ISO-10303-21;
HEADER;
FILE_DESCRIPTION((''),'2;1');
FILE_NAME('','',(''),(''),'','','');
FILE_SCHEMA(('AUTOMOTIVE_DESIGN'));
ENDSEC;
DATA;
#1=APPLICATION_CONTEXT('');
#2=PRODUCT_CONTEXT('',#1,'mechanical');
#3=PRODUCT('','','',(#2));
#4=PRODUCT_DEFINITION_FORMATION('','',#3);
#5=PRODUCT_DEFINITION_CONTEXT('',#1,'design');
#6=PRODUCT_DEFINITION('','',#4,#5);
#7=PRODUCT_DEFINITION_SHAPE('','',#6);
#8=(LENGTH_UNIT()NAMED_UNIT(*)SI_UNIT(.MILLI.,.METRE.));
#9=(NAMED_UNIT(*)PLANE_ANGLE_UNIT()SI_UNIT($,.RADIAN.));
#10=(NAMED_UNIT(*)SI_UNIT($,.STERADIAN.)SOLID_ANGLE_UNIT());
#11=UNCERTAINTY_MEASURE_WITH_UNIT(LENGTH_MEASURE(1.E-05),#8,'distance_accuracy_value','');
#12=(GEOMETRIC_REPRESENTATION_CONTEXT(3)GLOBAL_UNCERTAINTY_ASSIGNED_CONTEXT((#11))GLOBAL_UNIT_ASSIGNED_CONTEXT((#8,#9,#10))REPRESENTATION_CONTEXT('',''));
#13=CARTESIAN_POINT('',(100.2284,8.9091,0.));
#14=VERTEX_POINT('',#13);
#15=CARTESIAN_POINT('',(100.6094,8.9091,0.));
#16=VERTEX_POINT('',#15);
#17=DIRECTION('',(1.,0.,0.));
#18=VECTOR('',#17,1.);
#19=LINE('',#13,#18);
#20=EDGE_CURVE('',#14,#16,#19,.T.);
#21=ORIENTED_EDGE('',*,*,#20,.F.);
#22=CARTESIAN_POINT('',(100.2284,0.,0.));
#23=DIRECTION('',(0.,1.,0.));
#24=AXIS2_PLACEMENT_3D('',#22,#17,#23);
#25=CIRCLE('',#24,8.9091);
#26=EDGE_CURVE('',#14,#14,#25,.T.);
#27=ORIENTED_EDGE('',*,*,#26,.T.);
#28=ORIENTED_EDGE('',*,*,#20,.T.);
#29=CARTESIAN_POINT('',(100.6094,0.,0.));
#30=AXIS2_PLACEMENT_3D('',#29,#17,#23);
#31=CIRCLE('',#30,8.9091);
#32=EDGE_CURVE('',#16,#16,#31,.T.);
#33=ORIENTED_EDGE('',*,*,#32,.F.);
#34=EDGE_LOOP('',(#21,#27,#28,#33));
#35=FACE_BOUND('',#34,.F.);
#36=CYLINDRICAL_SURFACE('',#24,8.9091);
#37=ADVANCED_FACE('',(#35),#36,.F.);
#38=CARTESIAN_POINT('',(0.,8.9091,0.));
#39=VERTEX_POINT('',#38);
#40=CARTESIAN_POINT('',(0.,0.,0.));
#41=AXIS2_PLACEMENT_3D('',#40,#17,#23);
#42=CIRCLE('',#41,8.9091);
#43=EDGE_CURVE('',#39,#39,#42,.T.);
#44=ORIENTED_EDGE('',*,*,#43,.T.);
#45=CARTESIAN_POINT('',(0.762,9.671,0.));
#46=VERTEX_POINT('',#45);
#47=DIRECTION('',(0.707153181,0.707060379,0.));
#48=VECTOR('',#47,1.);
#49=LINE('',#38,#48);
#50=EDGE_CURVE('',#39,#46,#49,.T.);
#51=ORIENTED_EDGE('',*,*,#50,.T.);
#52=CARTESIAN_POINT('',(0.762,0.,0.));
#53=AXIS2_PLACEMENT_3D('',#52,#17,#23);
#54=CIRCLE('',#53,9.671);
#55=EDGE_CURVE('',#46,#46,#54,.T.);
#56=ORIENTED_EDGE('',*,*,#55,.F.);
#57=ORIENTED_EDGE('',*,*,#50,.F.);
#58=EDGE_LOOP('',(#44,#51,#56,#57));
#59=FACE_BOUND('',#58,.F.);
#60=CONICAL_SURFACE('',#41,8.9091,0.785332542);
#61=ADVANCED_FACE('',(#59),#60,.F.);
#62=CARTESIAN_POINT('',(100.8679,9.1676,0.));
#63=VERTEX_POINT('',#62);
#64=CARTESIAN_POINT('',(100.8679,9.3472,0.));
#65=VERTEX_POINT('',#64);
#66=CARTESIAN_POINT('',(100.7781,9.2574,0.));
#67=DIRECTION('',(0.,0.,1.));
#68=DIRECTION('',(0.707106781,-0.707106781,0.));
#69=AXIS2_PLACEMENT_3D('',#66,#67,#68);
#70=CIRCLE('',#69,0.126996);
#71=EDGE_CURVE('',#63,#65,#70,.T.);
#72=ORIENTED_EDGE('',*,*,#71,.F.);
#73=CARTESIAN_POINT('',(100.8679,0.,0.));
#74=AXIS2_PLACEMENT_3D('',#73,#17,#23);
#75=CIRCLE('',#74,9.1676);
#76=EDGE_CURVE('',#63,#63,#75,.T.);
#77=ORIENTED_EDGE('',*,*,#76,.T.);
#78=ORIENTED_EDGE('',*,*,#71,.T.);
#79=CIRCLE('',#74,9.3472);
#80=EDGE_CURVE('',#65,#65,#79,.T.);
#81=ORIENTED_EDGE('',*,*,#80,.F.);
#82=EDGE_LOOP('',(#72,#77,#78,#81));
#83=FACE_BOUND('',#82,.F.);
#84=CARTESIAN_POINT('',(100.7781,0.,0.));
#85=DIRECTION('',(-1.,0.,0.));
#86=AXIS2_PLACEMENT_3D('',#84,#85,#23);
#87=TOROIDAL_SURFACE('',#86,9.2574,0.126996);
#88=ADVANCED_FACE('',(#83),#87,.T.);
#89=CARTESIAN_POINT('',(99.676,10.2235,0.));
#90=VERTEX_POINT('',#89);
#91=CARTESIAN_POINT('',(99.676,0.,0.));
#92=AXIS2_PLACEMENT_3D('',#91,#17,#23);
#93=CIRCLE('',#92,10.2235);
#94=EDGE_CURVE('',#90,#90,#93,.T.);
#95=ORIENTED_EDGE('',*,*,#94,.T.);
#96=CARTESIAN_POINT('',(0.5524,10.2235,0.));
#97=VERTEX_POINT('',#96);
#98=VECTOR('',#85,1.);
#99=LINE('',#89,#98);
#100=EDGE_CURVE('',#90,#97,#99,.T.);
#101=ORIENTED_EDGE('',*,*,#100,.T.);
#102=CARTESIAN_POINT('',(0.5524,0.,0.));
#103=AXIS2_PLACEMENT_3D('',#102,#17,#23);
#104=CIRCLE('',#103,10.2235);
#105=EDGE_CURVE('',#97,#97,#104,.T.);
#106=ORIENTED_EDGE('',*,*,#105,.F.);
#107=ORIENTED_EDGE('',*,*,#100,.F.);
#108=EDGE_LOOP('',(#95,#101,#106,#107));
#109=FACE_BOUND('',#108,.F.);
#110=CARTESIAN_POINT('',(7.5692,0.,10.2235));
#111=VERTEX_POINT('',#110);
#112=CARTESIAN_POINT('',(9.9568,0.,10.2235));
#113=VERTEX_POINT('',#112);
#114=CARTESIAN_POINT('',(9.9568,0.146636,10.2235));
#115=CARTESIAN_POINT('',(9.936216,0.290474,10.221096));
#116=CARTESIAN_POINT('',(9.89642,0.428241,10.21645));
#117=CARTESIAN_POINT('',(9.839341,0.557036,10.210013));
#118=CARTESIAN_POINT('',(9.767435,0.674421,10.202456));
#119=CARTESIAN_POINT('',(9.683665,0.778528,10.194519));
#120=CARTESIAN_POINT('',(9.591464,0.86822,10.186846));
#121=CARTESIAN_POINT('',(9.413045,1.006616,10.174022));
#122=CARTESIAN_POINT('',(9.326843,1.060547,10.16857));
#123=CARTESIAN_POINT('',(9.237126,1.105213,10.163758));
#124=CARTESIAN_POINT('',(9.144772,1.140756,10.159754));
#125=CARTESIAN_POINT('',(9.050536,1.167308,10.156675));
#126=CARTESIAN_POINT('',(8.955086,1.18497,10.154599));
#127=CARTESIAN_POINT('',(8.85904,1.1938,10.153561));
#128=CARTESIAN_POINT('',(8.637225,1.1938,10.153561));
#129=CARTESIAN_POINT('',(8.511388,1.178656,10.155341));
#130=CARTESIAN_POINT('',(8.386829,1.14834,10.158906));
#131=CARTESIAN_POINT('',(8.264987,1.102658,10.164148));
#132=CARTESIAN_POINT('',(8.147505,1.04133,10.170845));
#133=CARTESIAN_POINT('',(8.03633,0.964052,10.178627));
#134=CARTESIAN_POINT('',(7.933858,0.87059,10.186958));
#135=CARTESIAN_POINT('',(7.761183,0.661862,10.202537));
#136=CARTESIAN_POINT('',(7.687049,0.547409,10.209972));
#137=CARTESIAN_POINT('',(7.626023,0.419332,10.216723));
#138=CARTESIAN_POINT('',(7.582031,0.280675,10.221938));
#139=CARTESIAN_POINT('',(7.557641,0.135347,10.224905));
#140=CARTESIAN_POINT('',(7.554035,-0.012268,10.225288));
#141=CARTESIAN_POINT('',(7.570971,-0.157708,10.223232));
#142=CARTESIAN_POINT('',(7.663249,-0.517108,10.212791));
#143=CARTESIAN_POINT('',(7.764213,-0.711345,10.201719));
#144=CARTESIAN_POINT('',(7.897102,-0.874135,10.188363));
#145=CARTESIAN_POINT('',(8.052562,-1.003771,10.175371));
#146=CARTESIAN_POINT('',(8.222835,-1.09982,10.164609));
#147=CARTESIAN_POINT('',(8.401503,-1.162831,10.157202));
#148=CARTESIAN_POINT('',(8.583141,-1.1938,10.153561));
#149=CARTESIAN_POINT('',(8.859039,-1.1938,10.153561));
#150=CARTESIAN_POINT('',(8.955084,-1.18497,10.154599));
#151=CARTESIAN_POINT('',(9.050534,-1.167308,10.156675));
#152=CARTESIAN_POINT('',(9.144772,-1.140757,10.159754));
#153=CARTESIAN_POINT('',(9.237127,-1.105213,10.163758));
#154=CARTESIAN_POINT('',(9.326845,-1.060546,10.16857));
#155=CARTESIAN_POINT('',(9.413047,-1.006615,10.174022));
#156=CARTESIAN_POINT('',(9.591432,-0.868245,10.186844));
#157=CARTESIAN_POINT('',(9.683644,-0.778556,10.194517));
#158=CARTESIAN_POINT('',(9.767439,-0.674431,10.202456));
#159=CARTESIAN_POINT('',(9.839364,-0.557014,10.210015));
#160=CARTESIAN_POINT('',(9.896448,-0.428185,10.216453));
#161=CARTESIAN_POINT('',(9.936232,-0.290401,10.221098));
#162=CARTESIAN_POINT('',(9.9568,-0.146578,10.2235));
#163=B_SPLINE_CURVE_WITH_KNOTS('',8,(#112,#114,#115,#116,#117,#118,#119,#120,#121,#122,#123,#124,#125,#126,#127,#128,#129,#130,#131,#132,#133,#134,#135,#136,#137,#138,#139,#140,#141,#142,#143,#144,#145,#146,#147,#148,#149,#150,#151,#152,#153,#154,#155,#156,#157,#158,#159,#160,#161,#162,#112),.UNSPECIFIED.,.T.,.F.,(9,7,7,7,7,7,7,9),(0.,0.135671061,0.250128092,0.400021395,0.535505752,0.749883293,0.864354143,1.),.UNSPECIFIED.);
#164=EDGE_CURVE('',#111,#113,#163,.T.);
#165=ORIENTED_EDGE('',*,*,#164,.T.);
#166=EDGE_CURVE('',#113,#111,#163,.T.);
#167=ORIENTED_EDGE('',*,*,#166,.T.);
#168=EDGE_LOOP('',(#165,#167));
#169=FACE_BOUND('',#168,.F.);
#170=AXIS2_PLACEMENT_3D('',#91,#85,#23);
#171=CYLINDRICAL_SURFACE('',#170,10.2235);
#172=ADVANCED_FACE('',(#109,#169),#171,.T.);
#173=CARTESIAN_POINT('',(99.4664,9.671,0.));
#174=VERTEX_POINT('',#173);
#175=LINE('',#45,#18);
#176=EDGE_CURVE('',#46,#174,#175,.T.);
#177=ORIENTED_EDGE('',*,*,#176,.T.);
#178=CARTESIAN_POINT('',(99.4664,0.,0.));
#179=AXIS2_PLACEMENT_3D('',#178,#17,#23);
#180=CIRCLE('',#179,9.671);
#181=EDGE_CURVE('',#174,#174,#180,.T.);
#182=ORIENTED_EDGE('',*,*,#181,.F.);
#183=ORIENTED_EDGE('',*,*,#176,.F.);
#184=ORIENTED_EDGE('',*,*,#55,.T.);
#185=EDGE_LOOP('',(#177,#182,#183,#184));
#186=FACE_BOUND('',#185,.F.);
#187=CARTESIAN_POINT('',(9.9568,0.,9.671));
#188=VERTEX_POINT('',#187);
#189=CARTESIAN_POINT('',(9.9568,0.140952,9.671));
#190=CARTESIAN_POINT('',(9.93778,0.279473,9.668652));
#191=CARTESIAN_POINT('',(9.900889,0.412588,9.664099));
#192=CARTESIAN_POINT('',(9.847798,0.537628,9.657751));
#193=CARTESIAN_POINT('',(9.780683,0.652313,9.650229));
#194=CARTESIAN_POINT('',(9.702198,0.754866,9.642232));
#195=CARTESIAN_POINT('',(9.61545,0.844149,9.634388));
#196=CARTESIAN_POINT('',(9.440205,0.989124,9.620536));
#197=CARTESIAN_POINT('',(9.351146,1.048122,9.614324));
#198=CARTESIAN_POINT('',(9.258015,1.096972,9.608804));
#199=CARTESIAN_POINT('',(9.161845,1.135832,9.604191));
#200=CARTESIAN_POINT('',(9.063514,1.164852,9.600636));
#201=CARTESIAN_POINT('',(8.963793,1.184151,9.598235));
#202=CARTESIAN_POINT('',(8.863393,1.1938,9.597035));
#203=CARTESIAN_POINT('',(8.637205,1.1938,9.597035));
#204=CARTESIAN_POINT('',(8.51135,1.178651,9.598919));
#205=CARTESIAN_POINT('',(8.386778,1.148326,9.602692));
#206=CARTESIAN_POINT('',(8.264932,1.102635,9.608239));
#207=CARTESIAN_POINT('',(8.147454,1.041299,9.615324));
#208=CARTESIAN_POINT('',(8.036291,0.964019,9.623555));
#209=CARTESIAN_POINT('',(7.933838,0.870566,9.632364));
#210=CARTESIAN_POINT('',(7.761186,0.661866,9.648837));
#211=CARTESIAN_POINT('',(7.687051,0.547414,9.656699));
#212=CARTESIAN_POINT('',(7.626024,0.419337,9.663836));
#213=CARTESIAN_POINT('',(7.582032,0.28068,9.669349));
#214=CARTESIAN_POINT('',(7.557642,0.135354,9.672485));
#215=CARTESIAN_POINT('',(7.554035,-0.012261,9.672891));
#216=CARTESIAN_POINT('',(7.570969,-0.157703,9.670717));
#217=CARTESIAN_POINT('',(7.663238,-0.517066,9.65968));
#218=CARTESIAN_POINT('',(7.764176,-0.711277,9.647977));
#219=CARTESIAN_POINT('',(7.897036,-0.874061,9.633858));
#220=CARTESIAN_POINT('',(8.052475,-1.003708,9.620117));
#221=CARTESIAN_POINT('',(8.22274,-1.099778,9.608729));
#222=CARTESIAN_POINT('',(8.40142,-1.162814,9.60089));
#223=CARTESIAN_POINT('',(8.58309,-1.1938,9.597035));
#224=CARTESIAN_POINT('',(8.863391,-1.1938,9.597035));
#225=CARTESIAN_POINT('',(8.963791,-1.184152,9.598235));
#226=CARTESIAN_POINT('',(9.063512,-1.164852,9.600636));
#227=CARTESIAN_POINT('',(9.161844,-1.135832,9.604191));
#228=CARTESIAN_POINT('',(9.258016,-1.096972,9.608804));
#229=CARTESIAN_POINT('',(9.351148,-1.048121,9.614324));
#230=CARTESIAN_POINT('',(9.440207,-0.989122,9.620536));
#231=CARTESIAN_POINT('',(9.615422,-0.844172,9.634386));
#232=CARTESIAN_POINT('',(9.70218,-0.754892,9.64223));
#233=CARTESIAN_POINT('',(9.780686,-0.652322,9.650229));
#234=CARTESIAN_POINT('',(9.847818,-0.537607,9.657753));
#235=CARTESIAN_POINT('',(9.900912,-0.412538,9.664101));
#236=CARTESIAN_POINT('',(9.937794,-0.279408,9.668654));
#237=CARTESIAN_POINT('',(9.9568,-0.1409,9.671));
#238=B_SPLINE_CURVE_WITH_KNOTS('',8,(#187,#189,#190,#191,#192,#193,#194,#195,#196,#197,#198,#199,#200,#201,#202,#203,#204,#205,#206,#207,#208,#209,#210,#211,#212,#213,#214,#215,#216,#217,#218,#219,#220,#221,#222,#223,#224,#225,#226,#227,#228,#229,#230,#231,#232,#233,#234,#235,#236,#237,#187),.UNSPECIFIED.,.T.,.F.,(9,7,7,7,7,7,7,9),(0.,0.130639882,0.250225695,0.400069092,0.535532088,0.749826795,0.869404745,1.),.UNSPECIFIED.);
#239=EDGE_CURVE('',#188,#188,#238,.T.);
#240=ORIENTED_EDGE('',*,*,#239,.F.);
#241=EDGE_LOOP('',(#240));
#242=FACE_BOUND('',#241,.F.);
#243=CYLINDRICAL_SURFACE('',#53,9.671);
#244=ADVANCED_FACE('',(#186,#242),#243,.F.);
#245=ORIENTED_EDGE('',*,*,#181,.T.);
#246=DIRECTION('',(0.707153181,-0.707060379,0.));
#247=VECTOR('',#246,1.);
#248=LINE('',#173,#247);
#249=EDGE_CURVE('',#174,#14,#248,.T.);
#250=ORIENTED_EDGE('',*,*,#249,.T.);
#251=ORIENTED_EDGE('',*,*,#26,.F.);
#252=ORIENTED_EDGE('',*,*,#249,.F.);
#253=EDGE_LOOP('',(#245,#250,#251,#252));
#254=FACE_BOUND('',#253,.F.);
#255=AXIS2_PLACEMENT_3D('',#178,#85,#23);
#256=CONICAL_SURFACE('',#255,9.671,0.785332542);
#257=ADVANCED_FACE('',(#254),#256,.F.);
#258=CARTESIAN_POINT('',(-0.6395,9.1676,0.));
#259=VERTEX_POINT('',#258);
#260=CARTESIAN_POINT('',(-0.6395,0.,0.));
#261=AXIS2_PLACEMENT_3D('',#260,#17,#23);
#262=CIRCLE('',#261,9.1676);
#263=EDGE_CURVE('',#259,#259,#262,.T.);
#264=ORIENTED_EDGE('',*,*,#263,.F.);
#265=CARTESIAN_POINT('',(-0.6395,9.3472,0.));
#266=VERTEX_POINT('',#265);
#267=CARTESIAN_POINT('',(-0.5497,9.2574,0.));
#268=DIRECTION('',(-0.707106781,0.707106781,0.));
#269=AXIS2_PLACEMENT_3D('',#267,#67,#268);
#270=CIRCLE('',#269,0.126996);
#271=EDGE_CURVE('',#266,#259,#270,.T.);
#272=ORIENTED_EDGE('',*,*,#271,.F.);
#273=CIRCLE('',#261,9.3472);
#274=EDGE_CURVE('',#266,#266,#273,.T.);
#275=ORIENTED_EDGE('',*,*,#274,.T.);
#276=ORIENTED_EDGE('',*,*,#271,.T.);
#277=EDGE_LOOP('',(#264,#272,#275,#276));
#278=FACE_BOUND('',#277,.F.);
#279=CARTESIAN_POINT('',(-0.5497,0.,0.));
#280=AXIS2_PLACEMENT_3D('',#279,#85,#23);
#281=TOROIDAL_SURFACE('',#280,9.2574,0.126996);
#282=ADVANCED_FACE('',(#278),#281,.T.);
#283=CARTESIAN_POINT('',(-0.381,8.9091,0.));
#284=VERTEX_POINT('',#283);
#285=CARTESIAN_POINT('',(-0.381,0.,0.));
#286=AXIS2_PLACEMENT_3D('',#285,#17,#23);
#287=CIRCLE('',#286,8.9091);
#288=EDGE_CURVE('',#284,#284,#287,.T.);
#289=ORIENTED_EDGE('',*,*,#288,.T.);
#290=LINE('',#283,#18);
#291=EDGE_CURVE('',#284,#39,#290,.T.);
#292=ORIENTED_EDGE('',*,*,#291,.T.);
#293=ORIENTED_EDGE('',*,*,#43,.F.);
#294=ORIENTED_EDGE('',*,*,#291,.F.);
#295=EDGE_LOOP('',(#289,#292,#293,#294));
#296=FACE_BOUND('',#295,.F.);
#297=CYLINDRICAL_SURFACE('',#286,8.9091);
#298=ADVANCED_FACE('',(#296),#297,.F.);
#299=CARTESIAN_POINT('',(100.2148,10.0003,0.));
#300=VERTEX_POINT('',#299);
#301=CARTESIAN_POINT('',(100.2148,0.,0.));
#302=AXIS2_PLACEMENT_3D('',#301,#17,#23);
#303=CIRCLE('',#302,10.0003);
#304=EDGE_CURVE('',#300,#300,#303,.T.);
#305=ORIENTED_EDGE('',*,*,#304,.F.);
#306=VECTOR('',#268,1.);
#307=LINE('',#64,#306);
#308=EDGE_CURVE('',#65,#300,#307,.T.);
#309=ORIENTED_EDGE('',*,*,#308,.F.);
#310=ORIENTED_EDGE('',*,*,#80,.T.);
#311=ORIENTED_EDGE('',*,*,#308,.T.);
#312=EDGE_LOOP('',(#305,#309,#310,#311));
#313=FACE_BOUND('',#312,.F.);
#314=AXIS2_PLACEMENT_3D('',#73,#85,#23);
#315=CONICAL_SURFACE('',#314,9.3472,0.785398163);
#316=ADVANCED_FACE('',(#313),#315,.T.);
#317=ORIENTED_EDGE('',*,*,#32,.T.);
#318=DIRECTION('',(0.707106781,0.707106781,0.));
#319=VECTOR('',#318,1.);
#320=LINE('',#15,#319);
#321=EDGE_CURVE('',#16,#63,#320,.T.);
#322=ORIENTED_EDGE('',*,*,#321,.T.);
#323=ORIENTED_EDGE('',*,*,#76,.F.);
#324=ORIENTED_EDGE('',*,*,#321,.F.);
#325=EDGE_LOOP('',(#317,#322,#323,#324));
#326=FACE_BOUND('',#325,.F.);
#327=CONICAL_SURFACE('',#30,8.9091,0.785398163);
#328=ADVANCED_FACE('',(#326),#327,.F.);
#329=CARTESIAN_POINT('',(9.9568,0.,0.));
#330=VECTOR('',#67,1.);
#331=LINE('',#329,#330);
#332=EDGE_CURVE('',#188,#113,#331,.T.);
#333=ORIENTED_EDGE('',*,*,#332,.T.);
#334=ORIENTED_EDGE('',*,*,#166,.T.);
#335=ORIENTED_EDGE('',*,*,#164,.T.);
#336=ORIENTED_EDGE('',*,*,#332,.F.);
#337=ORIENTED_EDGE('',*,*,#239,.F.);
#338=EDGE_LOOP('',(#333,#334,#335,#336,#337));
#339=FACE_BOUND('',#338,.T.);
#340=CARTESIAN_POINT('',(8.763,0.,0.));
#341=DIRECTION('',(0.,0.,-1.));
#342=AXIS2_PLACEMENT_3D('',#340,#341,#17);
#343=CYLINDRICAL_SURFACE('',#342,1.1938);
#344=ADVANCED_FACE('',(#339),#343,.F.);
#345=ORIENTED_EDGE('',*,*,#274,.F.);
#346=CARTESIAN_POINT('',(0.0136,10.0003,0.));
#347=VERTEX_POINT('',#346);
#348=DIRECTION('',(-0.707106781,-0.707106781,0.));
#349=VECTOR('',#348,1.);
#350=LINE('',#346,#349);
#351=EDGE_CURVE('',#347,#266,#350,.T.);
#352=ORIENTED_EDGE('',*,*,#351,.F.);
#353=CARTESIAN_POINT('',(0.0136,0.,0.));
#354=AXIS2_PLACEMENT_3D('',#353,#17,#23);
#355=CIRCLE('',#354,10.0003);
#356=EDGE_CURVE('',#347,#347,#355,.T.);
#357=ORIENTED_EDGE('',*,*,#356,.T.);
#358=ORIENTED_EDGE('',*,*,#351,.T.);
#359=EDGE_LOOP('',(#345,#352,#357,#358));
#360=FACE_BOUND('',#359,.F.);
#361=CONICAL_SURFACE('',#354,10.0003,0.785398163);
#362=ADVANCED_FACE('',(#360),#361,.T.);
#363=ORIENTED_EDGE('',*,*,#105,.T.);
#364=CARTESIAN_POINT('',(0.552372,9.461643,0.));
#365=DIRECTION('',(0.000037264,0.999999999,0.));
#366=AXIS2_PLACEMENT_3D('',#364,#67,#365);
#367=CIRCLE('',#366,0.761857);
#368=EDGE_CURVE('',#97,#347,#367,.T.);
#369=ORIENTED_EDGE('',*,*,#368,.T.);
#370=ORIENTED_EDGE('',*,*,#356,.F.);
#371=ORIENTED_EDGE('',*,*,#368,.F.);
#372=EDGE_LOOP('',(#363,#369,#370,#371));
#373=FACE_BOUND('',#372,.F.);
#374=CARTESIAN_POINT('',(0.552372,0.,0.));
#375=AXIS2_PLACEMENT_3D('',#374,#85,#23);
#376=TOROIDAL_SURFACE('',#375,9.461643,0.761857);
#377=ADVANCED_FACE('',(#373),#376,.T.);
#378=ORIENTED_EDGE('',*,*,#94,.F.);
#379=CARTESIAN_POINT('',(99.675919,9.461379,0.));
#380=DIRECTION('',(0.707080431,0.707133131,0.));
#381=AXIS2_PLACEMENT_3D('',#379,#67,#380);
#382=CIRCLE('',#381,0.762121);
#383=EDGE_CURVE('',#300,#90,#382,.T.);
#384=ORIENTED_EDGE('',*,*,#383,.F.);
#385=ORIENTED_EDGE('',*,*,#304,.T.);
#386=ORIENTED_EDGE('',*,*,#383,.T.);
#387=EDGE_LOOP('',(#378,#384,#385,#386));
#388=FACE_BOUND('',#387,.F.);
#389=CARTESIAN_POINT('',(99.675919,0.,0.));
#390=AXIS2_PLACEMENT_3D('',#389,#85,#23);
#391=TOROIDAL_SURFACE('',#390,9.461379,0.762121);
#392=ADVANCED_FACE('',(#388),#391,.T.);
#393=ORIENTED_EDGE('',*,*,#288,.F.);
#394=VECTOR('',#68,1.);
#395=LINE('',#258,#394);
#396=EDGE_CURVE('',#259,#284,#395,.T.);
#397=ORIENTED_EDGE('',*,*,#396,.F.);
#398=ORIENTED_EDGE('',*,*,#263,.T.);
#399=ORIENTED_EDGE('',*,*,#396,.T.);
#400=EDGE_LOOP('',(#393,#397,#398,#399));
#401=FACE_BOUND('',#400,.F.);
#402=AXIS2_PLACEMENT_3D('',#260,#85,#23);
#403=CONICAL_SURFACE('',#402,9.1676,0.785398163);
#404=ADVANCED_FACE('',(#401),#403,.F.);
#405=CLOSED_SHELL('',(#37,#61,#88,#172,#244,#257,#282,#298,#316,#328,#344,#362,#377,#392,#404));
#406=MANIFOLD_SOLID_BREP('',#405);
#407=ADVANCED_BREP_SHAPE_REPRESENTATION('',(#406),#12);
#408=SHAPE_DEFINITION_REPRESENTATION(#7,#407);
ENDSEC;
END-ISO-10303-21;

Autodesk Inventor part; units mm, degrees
sketch "Sketch_1" plane through (0, 0, 0) normal (0, 0, 1) x (1, 0, 0)
  line L0 (100.2284, 0) -> (0, 0)
  arc A0 (-0.6395, 9.3472) -> (-0.6395, 9.1676) centre (-0.5497, 9.2574) ccw
  line L1 (-0.6395, 9.1676) -> (-0.381, 8.9091)
  line L2 (-0.381, 8.9091) -> (0, 8.9091)
  line L3 (0, 8.9091) -> (0.762, 9.671)
  line L4 (0.762, 9.671) -> (99.4664, 9.671)
  line L5 (99.4664, 9.671) -> (100.2284, 8.9091)
  line L6 (100.2284, 8.9091) -> (100.6094, 8.9091)
  line L7 (100.6094, 8.9091) -> (100.8679, 9.1676)
  arc A1 (100.8679, 9.1676) -> (100.8679, 9.3472) centre (100.7781, 9.2574) ccw
  line L8 (100.8679, 9.3472) -> (100.2148, 10.0003)
  arc A2 (100.2148, 10.0003) -> (99.676, 10.2235) centre (99.676, 9.4615) ccw
  line L9 (99.676, 10.2235) -> (0.5524, 10.2235)
  arc A3 (0.5524, 10.2235) -> (0.0136, 10.0003) centre (0.5524, 9.4615) ccw
  line L10 (0.0136, 10.0003) -> (-0.6395, 9.3472)
revolve "Revolution1" add sketch "Sketch_1" angle 360 about axis through (100.2284, 0, 0) along (1, 0, 0)
sketch "Sketch_4" plane through (0, 0, 0) normal (0, 0, 1) x (1, 0, 0)
  circle A0 centre (8.763, 0) radius 1.1938
extrude "Extrusion1" cut sketch "Sketch_4" along normal blind 10.2235
ref_plane "tube_front_XY" through (0, 0, 0) normal (1, 0, 0) x (0, 0, -1)
ref_plane "tube_front_YZ" through (0, 0, 0) normal (0, 0, -1) x (0, 1, 0)
ref_plane "tube_front_ZX" through (0, 0, 0) normal (0, 1, 0) x (1, 0, 0)
ref_plane "tube_rear_XY" through (100.2284, 0, 0) normal (1, 0, 0) x (0, 0, -1)
ref_plane "tube_rear_YZ" through (100.2284, 0, 0) normal (0, 0, -1) x (0, 1, 0)
ref_plane "tube_rear_ZX" through (100.2284, 0, 0) normal (0, 1, 0) x (1, 0, 0)
ref_plane "cp1_XY" through (50.1142, 10.2235, 0) normal (1, 0, 0) x (0, 0, -1)
ref_plane "cp1_YZ" through (50.1142, 10.2235, 0) normal (0, 0, -1) x (0, 1, 0)
ref_plane "cp1_ZX" through (50.1142, 10.2235, 0) normal (0, 1, 0) x (1, 0, 0)
ref_plane "cp2_XY" through (50.1142, 0, -10.2235) normal (1, 0, 0) x (0, 0, -1)
ref_plane "cp2_YZ" through (50.1142, 0, -10.2235) normal (0, 0, -1) x (0, 1, 0)
ref_plane "cp2_ZX" through (50.1142, 0, -10.2235) normal (0, 1, 0) x (1, 0, 0)
ref_plane "cp3_XY" through (50.1142, -10.2235, 0) normal (1, 0, 0) x (0, 0, -1)
ref_plane "cp3_YZ" through (50.1142, -10.2235, 0) normal (0, 0, -1) x (0, 1, 0)
ref_plane "cp3_ZX" through (50.1142, -10.2235, 0) normal (0, 1, 0) x (1, 0, 0)
ref_plane "cp4_XY" through (50.1142, 0, 10.2235) normal (1, 0, 0) x (0, 0, -1)
ref_plane "cp4_YZ" through (50.1142, 0, 10.2235) normal (0, 0, -1) x (0, 1, 0)
ref_plane "cp4_ZX" through (50.1142, 0, 10.2235) normal (0, 1, 0) x (1, 0, 0)
properties part number "04-3.9462C"
